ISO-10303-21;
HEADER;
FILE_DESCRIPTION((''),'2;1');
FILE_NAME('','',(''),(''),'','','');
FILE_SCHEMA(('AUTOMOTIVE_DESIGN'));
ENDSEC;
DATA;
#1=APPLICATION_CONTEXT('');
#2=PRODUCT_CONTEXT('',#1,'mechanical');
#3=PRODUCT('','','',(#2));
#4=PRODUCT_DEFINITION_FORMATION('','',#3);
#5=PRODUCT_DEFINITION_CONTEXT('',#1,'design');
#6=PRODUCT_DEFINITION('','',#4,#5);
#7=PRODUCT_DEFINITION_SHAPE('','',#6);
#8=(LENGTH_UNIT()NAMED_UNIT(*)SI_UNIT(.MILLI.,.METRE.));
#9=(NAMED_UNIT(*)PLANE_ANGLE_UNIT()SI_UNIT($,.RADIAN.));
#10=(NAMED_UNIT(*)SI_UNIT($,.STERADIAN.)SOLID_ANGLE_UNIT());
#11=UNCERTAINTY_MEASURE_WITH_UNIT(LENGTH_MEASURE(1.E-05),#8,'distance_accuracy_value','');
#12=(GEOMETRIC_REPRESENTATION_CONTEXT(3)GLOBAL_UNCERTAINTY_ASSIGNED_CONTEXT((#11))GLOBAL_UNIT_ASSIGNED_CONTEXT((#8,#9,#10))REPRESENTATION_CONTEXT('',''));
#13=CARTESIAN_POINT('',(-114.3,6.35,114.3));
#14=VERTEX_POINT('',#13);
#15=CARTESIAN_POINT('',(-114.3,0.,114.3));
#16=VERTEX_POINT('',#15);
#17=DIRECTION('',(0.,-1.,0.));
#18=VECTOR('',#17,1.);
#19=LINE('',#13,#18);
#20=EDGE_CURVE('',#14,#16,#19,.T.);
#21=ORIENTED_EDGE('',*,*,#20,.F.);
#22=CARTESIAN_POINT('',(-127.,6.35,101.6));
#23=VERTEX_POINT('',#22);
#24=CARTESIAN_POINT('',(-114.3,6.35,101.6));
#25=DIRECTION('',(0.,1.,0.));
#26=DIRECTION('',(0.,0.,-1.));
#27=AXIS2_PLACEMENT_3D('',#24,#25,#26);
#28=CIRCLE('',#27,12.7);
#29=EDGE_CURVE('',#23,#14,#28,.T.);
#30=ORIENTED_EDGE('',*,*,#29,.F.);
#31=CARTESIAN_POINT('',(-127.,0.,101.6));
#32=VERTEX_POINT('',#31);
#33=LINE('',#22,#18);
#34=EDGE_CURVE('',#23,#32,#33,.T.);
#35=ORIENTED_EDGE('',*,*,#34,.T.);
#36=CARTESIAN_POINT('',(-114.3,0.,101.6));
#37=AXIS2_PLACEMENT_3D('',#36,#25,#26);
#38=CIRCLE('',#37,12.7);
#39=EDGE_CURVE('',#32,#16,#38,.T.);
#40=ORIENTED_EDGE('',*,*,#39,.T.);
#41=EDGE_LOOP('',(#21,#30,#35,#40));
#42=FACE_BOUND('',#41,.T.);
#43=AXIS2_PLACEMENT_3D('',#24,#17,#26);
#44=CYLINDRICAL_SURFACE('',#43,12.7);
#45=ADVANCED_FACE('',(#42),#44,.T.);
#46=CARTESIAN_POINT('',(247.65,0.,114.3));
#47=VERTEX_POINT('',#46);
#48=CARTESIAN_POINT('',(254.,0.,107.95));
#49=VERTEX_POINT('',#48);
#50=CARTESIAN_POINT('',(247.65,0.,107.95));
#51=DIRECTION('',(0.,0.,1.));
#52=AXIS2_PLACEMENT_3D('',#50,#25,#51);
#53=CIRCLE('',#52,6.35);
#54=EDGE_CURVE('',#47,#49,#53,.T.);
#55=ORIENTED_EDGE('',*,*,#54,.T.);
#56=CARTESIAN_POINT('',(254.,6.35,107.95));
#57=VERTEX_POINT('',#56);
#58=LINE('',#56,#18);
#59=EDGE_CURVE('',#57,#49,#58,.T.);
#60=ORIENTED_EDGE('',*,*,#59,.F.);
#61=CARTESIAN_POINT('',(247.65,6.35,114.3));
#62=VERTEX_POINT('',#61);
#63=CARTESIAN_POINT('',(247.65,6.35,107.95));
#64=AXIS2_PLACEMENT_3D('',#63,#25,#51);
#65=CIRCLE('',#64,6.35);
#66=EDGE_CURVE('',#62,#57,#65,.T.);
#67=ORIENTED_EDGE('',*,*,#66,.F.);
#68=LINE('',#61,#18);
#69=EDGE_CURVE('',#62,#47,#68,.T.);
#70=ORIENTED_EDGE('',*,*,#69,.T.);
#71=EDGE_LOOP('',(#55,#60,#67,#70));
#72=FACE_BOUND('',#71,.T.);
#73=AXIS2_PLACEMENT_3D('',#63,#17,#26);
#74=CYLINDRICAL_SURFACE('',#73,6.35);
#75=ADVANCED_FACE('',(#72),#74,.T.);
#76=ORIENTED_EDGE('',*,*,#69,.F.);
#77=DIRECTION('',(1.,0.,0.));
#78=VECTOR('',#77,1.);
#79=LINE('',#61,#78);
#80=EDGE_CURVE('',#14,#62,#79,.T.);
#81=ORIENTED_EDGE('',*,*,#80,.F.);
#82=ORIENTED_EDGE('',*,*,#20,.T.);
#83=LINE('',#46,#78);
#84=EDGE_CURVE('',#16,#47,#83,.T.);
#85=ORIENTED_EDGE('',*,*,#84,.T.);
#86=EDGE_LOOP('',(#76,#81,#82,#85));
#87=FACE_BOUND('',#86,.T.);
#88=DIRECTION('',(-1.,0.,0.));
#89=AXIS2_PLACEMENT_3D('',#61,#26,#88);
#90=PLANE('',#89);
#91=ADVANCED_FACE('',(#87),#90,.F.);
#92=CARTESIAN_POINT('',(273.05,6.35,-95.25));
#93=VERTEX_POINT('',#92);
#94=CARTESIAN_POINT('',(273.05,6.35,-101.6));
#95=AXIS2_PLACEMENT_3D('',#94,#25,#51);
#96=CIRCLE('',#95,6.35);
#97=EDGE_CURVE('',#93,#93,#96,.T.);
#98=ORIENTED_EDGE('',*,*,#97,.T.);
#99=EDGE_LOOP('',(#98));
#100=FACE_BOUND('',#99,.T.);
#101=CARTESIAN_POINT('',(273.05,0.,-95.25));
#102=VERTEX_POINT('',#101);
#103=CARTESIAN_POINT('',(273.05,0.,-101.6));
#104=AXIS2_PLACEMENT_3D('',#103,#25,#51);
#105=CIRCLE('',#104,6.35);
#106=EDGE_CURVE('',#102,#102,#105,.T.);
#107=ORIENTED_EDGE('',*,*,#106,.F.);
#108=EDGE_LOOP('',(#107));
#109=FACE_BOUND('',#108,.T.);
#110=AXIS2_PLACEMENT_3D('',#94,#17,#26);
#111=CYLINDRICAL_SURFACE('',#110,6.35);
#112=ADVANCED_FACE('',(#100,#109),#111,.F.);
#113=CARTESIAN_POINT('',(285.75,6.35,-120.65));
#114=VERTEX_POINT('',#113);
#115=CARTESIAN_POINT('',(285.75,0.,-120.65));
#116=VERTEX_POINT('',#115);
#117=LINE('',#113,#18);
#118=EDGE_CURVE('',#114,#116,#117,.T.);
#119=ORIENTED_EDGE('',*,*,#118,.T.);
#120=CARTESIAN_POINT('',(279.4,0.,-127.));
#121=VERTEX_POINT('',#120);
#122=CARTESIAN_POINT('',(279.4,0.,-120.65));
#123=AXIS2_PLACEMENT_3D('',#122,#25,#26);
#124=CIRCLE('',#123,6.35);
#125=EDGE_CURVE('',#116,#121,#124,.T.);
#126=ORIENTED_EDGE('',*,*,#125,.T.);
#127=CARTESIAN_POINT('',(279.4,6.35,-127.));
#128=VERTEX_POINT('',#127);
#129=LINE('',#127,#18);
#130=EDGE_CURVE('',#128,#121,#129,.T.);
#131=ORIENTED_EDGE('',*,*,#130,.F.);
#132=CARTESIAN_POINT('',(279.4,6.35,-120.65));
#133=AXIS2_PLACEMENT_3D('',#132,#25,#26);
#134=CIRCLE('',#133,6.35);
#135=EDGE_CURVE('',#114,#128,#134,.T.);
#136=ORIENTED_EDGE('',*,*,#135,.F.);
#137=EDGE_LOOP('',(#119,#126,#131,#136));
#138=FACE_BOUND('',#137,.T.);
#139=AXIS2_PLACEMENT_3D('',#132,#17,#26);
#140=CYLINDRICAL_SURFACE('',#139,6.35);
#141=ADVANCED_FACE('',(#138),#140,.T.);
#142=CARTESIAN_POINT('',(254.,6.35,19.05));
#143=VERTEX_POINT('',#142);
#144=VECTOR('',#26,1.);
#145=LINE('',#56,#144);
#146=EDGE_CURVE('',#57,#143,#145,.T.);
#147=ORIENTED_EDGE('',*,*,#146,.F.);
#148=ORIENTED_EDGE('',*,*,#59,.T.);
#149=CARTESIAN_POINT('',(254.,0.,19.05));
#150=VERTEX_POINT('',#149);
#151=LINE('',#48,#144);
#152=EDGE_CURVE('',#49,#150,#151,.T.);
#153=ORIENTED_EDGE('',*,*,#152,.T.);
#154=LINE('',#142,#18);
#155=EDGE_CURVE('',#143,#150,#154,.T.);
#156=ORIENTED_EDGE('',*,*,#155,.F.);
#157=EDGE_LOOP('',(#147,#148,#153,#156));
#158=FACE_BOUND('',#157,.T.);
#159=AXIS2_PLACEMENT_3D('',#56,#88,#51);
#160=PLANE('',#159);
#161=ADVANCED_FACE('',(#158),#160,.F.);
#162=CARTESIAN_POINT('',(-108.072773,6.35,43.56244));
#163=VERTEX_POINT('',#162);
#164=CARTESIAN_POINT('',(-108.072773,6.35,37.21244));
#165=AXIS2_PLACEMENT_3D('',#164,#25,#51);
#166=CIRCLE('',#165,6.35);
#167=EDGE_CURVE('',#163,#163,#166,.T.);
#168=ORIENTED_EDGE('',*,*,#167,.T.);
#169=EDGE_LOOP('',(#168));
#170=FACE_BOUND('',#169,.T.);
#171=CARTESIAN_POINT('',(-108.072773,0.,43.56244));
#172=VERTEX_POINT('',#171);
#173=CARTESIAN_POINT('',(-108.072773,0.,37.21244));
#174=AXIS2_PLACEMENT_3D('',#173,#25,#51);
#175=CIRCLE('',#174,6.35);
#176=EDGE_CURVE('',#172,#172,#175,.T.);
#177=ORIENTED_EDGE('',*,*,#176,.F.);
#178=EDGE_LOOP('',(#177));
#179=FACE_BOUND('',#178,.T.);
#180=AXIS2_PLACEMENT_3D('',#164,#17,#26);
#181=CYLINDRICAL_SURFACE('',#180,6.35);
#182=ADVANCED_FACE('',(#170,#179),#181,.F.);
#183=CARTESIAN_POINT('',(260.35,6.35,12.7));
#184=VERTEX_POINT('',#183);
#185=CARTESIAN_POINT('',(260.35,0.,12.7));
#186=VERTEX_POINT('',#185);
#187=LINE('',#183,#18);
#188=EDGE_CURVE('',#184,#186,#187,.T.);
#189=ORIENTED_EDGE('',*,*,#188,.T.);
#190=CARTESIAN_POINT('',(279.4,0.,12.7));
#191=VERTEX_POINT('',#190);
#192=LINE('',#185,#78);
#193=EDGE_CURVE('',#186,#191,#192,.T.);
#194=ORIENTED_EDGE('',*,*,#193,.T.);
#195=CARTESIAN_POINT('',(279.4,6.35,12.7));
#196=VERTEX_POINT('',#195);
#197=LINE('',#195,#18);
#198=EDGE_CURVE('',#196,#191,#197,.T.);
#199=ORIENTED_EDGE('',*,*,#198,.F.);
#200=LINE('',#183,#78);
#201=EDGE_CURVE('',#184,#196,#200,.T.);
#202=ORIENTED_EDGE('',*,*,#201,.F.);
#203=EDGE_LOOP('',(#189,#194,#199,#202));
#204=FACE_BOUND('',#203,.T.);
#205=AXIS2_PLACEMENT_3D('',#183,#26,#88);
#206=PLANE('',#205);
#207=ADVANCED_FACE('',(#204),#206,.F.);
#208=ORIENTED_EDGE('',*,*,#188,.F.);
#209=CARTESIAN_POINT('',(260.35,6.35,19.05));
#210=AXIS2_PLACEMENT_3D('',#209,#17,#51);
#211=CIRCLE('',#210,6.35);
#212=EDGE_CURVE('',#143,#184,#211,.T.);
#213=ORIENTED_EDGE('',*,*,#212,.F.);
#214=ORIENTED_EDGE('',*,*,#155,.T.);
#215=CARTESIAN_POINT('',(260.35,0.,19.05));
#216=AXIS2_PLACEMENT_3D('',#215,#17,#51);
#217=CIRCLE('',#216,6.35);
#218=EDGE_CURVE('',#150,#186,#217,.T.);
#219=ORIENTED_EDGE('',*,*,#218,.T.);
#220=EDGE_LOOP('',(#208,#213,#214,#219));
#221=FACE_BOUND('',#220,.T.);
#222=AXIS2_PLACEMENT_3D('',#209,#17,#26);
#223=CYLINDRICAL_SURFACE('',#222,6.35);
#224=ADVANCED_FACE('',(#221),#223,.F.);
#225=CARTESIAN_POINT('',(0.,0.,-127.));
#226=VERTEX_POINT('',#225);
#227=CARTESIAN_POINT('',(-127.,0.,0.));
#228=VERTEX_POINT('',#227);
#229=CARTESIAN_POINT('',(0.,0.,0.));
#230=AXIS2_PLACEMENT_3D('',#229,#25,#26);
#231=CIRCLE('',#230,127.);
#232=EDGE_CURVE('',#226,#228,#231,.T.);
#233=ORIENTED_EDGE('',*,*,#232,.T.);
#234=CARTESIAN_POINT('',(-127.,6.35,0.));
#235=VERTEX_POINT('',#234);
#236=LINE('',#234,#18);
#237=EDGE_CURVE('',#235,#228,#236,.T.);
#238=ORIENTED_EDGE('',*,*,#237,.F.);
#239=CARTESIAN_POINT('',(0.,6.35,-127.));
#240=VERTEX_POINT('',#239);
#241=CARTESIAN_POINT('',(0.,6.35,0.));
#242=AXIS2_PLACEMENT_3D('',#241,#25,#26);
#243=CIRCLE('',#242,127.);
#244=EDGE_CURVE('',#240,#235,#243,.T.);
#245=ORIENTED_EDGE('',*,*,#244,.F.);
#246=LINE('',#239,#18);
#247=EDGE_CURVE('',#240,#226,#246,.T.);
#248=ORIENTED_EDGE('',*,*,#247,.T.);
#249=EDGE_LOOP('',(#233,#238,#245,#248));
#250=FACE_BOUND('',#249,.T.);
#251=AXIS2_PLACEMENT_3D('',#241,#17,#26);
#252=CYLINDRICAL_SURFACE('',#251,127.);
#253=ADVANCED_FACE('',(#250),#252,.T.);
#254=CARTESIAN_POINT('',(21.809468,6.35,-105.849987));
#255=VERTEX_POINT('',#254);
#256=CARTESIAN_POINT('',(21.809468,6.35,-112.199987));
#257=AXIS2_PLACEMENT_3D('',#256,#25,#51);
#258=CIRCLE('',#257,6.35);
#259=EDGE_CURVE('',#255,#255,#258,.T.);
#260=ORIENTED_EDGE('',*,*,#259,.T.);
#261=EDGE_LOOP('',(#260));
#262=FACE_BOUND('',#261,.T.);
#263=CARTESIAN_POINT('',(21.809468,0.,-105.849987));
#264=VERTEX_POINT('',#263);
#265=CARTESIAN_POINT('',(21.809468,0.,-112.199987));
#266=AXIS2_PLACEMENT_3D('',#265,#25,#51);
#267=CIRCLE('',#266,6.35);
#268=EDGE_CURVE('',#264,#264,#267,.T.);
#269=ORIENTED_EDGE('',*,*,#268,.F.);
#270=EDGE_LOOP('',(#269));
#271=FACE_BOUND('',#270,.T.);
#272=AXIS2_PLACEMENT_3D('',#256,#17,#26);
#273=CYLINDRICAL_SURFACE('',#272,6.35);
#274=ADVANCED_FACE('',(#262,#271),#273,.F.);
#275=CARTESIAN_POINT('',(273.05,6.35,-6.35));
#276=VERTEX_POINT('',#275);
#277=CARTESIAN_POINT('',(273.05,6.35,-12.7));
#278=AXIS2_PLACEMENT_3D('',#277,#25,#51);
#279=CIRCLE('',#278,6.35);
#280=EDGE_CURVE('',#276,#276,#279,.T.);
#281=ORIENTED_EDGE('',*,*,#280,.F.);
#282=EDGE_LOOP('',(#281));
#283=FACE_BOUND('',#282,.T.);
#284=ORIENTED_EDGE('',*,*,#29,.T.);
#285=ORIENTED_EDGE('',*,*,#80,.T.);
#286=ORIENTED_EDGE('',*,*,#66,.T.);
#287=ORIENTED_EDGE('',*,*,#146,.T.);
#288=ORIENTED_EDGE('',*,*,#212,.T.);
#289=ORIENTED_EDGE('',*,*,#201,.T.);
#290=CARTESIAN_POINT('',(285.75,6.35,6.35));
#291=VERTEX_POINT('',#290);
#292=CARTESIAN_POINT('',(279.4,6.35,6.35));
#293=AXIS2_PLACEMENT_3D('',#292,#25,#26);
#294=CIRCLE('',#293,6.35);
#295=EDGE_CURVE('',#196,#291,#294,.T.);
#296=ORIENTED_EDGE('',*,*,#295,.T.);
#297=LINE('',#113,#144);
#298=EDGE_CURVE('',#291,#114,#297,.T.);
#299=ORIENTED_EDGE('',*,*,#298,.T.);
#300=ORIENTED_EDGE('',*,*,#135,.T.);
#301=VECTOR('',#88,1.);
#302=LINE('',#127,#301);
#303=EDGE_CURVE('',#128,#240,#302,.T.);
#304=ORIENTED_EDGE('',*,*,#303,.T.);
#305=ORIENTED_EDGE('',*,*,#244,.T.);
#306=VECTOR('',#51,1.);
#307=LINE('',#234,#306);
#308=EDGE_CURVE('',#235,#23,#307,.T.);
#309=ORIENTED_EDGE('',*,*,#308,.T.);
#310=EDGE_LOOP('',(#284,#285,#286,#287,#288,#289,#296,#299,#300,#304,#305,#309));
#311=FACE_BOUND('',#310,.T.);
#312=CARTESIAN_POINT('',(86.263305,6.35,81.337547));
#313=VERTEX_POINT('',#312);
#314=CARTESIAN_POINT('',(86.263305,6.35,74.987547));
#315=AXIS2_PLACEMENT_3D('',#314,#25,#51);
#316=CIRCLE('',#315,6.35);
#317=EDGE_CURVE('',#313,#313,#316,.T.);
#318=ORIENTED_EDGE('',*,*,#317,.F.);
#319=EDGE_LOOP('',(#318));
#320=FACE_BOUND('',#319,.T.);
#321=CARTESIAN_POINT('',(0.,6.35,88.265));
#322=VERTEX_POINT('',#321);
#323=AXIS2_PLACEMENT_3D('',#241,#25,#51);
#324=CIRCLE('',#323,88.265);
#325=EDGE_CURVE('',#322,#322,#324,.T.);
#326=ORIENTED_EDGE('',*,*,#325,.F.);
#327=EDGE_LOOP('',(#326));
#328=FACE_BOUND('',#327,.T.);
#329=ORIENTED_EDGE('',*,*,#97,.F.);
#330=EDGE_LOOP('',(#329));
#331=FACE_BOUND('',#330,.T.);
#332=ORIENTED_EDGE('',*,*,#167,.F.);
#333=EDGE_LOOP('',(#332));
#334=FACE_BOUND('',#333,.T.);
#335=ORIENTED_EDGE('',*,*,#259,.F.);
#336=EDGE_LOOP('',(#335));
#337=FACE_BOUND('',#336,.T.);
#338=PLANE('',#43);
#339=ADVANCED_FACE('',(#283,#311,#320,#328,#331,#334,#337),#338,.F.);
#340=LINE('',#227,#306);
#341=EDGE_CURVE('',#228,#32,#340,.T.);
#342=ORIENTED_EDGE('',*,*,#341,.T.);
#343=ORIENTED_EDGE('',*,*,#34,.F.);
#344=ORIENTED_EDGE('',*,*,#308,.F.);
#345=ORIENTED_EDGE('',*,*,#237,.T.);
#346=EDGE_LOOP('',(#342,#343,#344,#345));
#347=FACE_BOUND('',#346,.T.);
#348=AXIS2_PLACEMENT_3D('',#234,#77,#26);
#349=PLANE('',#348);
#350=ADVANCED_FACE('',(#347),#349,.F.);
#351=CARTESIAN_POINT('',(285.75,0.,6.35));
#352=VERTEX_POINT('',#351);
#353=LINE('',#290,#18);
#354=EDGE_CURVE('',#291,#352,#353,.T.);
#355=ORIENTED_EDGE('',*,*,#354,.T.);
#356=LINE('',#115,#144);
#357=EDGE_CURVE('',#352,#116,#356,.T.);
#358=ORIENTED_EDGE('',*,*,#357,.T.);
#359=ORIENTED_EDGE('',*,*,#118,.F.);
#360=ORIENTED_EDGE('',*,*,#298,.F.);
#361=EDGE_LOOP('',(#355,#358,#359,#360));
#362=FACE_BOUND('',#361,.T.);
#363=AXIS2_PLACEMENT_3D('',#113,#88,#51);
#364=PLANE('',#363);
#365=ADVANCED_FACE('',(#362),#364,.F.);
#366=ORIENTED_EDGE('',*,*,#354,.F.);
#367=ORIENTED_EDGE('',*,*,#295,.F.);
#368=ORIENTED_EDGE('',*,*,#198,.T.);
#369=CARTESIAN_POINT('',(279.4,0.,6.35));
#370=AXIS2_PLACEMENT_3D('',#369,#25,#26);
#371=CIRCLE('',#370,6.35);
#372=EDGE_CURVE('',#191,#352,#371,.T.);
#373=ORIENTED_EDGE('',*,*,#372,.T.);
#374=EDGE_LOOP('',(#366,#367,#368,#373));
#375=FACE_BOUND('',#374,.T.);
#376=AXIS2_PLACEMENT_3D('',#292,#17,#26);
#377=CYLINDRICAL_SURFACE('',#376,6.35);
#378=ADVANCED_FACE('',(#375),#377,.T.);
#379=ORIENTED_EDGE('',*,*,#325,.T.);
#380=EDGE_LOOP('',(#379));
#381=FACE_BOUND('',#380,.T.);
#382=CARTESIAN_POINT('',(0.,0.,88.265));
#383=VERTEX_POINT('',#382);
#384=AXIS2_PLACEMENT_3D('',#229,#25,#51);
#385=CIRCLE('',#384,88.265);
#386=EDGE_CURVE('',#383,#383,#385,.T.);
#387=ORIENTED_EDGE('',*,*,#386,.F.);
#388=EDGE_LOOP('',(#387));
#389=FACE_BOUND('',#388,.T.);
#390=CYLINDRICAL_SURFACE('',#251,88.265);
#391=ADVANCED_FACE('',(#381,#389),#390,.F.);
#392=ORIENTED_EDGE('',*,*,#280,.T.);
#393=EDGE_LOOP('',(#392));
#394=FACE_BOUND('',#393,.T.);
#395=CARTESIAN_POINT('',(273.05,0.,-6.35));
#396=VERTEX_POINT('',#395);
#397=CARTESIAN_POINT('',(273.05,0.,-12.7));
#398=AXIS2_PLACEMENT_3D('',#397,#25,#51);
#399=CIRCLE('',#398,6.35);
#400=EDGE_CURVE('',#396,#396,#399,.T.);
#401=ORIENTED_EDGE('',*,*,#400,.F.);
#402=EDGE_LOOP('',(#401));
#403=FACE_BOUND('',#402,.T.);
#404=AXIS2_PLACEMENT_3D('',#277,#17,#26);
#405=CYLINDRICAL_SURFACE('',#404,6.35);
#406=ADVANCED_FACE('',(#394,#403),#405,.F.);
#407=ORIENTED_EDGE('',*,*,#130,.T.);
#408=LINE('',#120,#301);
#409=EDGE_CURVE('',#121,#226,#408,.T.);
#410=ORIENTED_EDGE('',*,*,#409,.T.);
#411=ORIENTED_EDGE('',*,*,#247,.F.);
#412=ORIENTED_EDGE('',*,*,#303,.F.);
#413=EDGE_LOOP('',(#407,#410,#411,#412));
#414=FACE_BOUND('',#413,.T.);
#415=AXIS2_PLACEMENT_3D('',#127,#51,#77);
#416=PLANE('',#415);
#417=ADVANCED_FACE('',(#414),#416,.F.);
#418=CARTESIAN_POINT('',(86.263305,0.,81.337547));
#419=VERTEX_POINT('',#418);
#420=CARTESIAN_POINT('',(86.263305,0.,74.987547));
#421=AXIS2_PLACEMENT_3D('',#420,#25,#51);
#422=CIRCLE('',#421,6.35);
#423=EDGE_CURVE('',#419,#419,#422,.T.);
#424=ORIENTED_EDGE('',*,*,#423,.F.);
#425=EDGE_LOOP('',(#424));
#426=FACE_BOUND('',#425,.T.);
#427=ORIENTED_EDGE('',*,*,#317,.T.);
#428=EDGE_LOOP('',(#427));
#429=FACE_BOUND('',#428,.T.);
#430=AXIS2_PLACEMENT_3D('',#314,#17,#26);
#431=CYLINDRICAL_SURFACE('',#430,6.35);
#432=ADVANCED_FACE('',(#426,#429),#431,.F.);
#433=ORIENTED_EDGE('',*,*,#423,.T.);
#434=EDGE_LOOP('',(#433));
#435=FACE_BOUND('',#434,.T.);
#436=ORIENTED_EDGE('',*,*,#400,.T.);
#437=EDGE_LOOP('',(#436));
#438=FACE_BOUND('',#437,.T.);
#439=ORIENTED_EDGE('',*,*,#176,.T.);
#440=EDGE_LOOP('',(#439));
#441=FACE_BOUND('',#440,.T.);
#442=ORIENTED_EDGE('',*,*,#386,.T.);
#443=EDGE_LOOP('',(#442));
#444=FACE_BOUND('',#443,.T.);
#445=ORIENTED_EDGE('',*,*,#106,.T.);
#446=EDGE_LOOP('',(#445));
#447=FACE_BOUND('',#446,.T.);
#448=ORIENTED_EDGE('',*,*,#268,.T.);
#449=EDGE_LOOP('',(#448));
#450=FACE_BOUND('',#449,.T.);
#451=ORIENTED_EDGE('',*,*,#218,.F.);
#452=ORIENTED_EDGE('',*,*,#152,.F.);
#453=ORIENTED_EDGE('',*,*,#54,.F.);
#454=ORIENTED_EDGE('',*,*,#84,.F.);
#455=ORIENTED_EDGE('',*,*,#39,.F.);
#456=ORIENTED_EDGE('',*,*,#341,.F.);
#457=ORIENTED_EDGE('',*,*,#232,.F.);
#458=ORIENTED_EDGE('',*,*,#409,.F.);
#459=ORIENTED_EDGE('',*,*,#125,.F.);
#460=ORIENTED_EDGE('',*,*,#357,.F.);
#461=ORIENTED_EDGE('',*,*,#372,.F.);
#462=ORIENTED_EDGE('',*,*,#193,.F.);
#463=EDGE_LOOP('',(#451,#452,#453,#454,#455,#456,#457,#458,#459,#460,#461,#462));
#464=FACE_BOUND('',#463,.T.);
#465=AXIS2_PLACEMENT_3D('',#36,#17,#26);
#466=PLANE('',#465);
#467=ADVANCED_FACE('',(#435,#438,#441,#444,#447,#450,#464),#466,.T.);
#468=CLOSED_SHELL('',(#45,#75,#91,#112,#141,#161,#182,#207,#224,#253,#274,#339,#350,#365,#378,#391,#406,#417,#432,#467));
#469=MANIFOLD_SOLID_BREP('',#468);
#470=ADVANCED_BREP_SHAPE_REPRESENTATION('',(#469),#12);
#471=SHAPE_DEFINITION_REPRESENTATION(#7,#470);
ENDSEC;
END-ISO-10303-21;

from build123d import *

# Parameters (mm, degrees)
SKETCH1_R           = 88.265
SKETCH1_R_2         = 6.35
BOSS_EXTRUDE1_DEPTH = 6.35


with BuildPart() as part:
    # Sketch1 → Boss-Extrude1 (new body)
    with BuildSketch(Plane(origin=(0, 0, 0), x_dir=(1, 0, 0), z_dir=(0, 1, 0))):
        with BuildLine():
            Line((279.4, 127), (0, 127))
            ThreePointArc((0, 127), (-89.802561211, 89.802561211), (-127, 0))
            Line((-127, 0), (-127, -101.6))
            ThreePointArc((-127, -101.6), (-123.280256121, -110.580256121), (-114.3, -114.3))
            Line((-114.3, -114.3), (247.65, -114.3))
            ThreePointArc((247.65, -114.3), (252.140128061, -112.440128061), (254, -107.95))
            Line((254, -107.95), (254, -19.05))
            ThreePointArc((254, -19.05), (255.859871939, -14.559871939), (260.35, -12.7))
            Line((260.35, -12.7), (279.4, -12.7))
            ThreePointArc((279.4, -12.7), (283.890128061, -10.840128061), (285.75, -6.35))
            Line((285.75, -6.35), (285.75, 120.65))
            ThreePointArc((285.75, 120.65), (283.890128061, 125.140128061), (279.4, 127))
        make_face()
        with Locations(Location((0, 0, 0), (0, 0, 270))):
            Circle(SKETCH1_R, mode=Mode.SUBTRACT)
        with Locations(Location((-108.072773191, -37.212440054, 0), (0, 0, 270))):
            Circle(SKETCH1_R_2, mode=Mode.SUBTRACT)
        with Locations(Location((21.809468172, 112.199987068, 0), (0, 0, 270))):
            Circle(SKETCH1_R_2, mode=Mode.SUBTRACT)
        with Locations(Location((86.263305019, -74.987547014, 0), (0, 0, 270))):
            Circle(SKETCH1_R_2, mode=Mode.SUBTRACT)
        with Locations(Location((273.05, 101.6, 0), (0, 0, 270))):
            Circle(SKETCH1_R_2, mode=Mode.SUBTRACT)
        with Locations(Location((273.05, 12.7, 0), (0, 0, 270))):
            Circle(SKETCH1_R_2, mode=Mode.SUBTRACT)
    extrude(amount=BOSS_EXTRUDE1_DEPTH)


solid = part.part
